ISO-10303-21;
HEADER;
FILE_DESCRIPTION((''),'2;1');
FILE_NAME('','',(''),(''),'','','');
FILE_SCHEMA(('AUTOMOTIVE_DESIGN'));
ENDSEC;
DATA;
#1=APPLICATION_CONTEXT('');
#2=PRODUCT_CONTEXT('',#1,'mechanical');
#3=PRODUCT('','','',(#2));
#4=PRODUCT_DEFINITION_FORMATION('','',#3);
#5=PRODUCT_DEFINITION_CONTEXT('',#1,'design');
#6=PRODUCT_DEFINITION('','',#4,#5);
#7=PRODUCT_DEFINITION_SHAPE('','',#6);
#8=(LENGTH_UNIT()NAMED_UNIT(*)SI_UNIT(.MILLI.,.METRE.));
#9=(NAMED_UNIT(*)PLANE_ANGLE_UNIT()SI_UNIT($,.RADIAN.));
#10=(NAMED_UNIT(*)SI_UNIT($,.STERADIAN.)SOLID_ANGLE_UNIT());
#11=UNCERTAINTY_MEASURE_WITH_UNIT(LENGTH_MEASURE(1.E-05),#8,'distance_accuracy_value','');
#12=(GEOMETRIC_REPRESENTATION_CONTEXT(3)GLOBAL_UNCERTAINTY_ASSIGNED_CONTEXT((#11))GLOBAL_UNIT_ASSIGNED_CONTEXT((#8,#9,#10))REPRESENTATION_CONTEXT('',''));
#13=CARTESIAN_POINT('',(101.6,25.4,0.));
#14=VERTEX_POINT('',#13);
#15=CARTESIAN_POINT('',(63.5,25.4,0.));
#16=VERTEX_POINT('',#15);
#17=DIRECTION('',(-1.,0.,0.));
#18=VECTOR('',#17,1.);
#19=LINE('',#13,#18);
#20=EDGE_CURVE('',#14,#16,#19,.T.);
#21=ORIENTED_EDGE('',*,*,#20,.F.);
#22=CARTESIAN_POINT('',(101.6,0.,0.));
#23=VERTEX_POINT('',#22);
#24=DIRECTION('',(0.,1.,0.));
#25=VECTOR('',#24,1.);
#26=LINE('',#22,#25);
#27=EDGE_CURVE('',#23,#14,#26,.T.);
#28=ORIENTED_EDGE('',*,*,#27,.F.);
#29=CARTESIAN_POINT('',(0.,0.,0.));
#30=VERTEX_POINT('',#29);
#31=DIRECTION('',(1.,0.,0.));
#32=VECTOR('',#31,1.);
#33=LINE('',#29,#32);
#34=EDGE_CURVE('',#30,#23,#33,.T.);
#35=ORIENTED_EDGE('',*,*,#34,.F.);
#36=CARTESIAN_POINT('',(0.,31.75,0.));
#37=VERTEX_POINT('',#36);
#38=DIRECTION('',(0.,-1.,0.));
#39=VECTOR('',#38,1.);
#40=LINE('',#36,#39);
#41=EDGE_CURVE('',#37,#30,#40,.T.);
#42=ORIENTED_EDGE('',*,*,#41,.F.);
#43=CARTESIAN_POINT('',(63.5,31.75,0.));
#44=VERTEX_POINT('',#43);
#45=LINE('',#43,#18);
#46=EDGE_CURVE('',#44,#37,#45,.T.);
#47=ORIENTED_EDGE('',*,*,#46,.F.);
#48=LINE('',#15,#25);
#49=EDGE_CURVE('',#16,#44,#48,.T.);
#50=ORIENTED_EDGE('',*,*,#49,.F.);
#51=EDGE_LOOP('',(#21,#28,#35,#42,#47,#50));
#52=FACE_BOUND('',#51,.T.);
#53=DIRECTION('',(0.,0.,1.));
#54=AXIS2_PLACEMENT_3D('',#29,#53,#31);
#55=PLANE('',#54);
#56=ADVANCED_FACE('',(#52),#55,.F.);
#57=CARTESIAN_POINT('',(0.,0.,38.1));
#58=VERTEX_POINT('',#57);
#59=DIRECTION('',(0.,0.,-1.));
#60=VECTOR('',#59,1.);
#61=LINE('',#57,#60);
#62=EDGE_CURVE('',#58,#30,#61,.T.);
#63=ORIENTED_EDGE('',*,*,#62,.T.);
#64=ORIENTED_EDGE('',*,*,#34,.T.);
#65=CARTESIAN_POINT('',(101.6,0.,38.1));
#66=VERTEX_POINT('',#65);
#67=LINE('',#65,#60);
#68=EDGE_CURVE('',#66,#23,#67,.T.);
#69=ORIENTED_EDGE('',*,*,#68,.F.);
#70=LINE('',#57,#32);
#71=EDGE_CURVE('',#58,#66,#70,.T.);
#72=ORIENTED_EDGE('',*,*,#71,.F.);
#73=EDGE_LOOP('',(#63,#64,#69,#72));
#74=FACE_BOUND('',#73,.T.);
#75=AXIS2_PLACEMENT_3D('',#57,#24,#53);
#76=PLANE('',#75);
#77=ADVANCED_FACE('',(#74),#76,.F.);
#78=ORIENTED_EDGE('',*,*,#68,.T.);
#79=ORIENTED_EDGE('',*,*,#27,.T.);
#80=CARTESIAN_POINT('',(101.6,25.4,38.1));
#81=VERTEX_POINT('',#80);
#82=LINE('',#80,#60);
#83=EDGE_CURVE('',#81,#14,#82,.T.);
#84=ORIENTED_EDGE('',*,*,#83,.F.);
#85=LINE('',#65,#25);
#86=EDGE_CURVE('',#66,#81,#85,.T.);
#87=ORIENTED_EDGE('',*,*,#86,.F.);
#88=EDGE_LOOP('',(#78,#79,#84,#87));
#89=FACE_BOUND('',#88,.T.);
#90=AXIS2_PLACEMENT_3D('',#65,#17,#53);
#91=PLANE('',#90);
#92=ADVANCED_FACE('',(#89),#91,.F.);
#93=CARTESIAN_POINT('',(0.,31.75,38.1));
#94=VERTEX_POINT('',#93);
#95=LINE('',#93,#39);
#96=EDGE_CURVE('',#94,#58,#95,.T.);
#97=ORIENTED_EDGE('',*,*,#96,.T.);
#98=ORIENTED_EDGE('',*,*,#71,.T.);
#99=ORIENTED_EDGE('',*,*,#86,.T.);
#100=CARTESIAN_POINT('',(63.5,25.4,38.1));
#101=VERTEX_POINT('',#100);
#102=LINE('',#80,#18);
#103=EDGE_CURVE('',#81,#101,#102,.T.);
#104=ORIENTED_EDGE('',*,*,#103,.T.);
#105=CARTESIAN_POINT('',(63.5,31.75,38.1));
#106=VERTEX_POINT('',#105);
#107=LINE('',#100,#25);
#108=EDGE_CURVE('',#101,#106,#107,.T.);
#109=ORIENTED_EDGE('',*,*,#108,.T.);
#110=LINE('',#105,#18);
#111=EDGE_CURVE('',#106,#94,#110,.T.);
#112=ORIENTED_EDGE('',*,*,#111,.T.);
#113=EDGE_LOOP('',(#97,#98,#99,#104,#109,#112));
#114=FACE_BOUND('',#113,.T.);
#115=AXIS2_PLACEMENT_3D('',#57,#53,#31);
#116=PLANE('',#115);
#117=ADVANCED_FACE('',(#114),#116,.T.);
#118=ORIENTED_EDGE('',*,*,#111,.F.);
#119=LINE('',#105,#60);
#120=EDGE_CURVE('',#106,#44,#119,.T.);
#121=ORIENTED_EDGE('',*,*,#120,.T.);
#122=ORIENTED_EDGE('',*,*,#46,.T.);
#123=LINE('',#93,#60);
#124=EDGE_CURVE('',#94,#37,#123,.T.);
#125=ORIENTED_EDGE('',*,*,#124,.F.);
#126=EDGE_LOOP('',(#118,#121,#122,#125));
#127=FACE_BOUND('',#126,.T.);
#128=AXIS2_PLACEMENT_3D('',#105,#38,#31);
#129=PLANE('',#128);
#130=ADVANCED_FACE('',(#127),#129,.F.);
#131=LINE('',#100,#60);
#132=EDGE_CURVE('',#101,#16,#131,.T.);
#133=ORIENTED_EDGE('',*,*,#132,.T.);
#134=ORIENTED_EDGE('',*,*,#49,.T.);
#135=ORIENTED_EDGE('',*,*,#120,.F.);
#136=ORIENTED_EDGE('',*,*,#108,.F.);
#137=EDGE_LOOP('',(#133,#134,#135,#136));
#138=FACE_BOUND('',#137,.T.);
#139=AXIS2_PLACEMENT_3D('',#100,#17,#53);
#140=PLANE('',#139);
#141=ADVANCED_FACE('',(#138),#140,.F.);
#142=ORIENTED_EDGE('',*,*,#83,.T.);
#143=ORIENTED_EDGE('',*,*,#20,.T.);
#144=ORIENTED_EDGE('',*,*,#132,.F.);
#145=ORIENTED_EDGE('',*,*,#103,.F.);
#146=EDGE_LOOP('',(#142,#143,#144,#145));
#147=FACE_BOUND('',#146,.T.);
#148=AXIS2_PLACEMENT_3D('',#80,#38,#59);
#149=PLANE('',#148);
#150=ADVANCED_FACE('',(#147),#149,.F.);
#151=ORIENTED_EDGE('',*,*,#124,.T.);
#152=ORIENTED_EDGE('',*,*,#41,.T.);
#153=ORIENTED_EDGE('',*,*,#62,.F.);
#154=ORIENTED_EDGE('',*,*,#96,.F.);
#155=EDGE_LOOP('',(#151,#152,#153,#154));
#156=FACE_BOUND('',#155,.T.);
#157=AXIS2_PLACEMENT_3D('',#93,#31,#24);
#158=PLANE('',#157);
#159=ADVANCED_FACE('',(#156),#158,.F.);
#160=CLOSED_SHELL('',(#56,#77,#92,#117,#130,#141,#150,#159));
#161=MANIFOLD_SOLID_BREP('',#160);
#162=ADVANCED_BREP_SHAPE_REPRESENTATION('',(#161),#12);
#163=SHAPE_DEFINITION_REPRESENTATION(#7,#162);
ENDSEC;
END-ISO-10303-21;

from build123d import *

# Parameters (mm, degrees)
BOSS_EXTRUDE1_DEPTH = 38.1


with BuildPart() as part:
    # Sketch1 → Boss-Extrude1 (new body)
    with BuildSketch(Plane.XY):
        Polygon((0, 0), (101.6, 0), (101.6, 25.4), (63.5, 25.4), (63.5, 31.75), (0, 31.75), align=None)
    extrude(amount=BOSS_EXTRUDE1_DEPTH)


solid = part.part
